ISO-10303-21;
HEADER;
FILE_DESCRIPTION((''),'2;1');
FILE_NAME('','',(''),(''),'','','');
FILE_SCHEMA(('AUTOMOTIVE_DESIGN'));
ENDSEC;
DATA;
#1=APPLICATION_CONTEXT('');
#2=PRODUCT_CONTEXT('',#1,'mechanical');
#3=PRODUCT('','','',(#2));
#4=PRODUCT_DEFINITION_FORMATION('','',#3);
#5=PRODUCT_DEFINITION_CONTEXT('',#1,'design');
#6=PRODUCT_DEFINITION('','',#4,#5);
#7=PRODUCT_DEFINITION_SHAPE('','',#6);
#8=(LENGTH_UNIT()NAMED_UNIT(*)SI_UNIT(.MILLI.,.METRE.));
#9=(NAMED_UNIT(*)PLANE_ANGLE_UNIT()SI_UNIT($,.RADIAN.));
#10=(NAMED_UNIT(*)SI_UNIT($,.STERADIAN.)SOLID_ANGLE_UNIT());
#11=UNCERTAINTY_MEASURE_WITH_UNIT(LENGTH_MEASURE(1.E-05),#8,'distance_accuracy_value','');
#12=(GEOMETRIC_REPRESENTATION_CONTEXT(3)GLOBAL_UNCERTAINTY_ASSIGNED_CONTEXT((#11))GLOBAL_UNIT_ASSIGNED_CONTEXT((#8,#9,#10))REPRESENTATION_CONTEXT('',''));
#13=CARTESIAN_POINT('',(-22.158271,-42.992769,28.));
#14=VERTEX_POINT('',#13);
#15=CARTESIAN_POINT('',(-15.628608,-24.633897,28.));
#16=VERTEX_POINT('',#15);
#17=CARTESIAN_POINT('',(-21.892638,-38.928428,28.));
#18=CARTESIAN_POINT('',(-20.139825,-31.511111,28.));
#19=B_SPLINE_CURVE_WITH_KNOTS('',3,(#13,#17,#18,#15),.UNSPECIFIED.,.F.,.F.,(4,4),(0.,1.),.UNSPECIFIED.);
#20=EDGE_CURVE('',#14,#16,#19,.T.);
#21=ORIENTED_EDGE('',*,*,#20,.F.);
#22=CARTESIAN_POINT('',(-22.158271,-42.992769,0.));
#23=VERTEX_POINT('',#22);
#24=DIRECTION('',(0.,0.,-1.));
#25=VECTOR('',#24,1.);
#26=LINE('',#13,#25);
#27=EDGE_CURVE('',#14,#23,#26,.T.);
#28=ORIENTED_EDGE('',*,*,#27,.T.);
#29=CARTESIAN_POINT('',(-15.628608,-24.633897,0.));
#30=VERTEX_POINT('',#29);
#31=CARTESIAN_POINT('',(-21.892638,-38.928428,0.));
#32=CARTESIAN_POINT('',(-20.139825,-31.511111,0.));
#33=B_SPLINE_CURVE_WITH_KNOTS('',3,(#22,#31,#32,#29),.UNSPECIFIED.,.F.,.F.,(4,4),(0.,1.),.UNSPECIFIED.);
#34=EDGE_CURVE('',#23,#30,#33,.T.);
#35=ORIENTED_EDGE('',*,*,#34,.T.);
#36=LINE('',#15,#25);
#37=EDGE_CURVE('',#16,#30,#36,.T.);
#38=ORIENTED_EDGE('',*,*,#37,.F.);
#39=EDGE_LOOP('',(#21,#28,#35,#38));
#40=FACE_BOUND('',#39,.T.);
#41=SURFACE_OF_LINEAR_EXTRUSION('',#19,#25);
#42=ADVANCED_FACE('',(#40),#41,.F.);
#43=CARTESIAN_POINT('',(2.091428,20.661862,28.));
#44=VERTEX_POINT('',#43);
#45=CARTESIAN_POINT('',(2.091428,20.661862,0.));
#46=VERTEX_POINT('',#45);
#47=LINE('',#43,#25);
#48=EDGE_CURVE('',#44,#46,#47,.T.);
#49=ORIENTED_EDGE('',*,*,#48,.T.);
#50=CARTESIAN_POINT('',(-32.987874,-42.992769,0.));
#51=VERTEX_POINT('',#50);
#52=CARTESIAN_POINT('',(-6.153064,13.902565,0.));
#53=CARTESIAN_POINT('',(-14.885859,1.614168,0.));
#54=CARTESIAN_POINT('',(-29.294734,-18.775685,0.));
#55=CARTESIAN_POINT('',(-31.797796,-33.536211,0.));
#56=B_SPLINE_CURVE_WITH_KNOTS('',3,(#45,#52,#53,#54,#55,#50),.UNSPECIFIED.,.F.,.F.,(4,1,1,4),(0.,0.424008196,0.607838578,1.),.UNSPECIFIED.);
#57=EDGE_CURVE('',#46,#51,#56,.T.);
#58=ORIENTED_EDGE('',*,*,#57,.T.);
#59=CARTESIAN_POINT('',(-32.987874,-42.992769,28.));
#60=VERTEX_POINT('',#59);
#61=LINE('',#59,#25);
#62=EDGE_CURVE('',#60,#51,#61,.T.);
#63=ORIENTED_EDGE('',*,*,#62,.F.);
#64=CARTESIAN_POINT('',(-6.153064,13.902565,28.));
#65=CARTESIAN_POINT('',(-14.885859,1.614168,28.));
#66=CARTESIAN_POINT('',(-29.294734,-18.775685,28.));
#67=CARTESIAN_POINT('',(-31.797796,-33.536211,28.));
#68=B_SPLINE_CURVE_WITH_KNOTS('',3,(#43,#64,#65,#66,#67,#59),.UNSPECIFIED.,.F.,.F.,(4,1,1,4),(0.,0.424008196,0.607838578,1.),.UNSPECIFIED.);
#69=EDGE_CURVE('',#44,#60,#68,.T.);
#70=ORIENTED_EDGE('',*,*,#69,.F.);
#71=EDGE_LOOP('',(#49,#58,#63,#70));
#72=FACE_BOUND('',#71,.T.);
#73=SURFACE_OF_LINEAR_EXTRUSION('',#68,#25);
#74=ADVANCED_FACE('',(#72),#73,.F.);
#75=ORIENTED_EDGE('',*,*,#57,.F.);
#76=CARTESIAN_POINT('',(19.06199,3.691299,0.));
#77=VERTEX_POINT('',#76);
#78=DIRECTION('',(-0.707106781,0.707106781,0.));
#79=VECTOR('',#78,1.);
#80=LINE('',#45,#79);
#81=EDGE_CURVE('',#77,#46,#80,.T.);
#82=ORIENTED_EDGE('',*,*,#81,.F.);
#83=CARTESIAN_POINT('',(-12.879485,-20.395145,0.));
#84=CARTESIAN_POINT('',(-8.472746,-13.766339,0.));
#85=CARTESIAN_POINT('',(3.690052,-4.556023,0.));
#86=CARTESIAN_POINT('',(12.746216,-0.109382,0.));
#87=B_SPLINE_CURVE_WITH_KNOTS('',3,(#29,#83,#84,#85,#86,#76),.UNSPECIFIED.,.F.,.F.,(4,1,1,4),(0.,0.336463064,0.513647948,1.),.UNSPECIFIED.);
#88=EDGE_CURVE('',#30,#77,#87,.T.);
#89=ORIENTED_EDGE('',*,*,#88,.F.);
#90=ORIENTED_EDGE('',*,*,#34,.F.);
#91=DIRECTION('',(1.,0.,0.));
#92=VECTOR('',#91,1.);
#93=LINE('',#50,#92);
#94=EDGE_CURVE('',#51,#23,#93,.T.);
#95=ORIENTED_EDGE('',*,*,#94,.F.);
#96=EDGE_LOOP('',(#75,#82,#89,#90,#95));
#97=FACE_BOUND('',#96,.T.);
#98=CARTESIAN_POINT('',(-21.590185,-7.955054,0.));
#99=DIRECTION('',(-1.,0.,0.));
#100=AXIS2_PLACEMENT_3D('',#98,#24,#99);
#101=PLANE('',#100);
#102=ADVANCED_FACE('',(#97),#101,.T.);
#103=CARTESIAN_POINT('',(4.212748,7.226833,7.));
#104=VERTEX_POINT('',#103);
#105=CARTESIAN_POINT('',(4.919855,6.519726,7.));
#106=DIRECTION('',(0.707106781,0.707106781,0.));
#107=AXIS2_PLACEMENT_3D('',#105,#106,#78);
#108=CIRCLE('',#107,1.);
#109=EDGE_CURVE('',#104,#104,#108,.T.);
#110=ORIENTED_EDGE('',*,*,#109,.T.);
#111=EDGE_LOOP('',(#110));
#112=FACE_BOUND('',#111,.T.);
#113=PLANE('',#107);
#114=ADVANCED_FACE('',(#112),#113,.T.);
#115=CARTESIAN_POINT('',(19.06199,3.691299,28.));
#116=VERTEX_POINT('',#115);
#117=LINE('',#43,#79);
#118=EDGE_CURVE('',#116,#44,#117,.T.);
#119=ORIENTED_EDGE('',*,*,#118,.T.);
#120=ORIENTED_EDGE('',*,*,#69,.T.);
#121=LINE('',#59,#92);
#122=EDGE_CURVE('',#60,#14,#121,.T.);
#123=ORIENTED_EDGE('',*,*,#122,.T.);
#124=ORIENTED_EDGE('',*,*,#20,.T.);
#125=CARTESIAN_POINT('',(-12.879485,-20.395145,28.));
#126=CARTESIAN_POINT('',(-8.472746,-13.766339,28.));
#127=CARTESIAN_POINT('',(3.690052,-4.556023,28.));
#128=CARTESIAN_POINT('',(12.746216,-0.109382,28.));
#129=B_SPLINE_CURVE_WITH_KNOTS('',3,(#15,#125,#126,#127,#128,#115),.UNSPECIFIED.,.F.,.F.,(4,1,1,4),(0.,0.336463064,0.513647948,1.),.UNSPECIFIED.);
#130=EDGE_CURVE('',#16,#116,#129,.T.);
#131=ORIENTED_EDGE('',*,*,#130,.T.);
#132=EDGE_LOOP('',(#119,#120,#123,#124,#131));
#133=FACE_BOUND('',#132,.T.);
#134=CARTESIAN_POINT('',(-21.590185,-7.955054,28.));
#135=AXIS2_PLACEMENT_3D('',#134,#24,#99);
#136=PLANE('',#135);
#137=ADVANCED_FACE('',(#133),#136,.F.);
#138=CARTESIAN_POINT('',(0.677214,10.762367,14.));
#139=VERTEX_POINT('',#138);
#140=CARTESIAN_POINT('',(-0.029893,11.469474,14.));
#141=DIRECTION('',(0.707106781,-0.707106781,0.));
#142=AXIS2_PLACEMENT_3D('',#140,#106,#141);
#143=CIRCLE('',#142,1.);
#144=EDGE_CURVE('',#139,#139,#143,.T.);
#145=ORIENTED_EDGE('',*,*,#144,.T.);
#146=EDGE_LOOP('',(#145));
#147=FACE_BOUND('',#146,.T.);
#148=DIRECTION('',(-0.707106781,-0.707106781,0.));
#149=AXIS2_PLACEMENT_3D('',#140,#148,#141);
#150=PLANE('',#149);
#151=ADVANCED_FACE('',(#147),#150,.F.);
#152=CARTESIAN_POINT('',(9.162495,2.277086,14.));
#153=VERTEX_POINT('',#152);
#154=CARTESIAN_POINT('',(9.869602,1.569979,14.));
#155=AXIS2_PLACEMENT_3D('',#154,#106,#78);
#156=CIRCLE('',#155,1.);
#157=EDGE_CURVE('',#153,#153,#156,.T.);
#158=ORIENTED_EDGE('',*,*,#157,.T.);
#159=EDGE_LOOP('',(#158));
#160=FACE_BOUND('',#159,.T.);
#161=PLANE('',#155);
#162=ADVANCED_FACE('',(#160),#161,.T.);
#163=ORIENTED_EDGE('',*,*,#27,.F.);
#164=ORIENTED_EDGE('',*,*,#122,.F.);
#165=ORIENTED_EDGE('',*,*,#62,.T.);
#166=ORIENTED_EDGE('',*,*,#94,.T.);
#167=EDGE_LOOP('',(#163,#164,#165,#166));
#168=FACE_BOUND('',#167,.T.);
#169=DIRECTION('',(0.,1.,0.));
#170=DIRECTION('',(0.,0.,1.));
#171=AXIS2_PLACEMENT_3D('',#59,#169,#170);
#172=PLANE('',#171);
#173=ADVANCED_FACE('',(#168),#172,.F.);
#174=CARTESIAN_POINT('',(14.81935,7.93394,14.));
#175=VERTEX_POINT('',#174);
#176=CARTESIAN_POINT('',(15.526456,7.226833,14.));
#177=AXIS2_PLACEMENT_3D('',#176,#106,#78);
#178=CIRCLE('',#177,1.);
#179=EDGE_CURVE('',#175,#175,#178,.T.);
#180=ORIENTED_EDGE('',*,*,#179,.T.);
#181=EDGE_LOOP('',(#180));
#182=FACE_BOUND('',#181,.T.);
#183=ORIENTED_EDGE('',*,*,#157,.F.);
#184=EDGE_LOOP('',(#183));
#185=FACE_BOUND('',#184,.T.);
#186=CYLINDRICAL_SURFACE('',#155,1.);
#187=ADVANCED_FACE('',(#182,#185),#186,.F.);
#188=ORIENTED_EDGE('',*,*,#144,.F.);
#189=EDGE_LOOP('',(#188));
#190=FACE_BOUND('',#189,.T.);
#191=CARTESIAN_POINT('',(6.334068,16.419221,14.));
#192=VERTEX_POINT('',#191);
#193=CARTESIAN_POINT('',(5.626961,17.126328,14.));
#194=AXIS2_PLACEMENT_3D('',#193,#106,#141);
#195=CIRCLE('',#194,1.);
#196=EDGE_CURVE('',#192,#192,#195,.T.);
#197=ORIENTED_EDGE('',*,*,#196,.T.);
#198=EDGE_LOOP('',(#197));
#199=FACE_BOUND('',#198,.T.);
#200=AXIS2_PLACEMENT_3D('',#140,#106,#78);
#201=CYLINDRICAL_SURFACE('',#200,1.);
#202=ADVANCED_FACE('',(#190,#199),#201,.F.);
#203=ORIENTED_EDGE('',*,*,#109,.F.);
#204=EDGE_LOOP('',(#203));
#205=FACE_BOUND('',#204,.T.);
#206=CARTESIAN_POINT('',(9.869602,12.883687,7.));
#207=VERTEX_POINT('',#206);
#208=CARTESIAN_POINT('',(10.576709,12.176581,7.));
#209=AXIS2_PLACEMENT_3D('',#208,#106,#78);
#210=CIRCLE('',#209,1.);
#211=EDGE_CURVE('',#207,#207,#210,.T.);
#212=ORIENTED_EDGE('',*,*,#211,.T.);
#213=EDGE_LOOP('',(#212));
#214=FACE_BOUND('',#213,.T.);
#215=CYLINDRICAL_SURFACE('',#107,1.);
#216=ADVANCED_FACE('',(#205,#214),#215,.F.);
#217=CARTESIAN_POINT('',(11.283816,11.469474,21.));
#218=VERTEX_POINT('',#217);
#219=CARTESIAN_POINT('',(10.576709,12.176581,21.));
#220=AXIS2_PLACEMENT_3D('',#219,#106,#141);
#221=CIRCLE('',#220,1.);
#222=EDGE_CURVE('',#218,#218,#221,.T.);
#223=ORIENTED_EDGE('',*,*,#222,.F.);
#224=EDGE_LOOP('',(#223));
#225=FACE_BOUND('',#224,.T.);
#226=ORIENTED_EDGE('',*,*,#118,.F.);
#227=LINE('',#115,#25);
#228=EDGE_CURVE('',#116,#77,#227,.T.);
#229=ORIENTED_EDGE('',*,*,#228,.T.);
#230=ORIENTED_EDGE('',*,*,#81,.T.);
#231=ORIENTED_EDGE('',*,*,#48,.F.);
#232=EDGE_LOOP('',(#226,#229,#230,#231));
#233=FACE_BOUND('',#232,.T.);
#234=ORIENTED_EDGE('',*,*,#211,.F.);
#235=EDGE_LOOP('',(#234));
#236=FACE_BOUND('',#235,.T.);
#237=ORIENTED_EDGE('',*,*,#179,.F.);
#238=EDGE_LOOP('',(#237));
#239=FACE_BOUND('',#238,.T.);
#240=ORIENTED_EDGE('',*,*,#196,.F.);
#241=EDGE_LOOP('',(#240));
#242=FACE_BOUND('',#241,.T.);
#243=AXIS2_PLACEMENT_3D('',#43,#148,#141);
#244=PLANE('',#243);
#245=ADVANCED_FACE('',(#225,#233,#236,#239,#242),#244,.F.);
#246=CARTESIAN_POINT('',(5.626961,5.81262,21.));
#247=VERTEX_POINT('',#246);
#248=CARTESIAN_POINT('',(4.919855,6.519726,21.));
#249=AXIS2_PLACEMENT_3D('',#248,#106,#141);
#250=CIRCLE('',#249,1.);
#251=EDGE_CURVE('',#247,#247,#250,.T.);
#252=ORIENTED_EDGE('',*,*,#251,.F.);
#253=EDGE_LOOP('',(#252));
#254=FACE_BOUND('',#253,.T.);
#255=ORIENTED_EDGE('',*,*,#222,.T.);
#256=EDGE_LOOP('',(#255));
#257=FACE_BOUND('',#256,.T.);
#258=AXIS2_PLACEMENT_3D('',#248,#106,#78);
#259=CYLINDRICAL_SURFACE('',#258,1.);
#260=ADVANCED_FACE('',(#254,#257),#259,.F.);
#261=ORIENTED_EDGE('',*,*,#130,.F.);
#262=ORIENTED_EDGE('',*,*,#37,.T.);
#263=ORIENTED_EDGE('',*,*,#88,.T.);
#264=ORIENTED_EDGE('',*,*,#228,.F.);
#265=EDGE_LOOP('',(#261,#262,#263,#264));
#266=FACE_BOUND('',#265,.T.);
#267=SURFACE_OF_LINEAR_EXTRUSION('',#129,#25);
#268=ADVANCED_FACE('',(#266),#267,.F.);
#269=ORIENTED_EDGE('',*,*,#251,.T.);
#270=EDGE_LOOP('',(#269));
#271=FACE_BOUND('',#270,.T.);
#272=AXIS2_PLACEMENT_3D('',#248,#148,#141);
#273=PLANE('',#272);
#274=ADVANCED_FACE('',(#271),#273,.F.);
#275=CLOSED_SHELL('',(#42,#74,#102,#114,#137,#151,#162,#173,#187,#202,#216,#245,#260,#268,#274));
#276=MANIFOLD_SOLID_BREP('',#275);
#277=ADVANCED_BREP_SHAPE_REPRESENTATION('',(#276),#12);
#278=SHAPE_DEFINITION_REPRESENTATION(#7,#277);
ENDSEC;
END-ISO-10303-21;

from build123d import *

# Parameters (mm, degrees)
BOSS_EXTRUDE1_DEPTH = 28
SKETCH2_R           = 1
CUT_EXTRUDE1_DEPTH  = 8


with BuildPart() as part:
    # Sketch1 → Boss-Extrude1 (new body)
    with BuildSketch(Plane.XY):
        with BuildLine():
            Line((2.091427576, 20.661862086), (19.061990324, 3.691299338))
            add(Edge.make_bspline(
                [(19.061990324, 3.691299338), (12.746216472, -0.109381504), (3.690052204, -4.556022811), (-8.472746201, -13.766338541), (-12.879485208, -20.395145485), (-15.628608368, -24.633897386)],
                knots=[0, 0, 0, 0, 0.486352052, 0.663536936, 1, 1, 1, 1], degree=3))
            add(Edge.make_bspline(
                [(-15.628608368, -24.633897386), (-20.139825212, -31.511110603), (-21.892637983, -38.928427503), (-22.158270614, -42.992769069)],
                knots=[0, 0, 0, 0, 1, 1, 1, 1], degree=3))
            Line((-22.158270614, -42.992769069), (-32.987873718, -42.992769069))
            add(Edge.make_bspline(
                [(2.091427576, 20.661862086), (-6.15306444, 13.902564566), (-14.885859474, 1.614168074), (-29.29473419, -18.775684606), (-31.797796149, -33.536211334), (-32.987873718, -42.992769069)],
                knots=[0, 0, 0, 0, 0.424008196, 0.607838578, 1, 1, 1, 1], degree=3))
        make_face()
    extrude(amount=BOSS_EXTRUDE1_DEPTH)

    # Sketch2 → Cut-Extrude1 (cut)
    with BuildSketch(Plane(origin=(11.376644831, 11.376644831, 0), x_dir=(0, 0, -1), z_dir=(0.7071067811865388, 0.7071067811865562, 0))):
        with Locations(Location((-7, 1.131280172, 0), (0, 0, 90))):
            Circle(SKETCH2_R)
        with Locations(Location((-14, 8.131280172, 0), (0, 0, 270))):
            Circle(SKETCH2_R)
        with Locations(Location((-14, -5.868719828, 0), (0, 0, 90))):
            Circle(SKETCH2_R)
        with Locations(Location((-21, 1.131280172, 0), (0, 0, 270))):
            Circle(SKETCH2_R)
    extrude(amount=-CUT_EXTRUDE1_DEPTH, mode=Mode.SUBTRACT)


solid = part.part
